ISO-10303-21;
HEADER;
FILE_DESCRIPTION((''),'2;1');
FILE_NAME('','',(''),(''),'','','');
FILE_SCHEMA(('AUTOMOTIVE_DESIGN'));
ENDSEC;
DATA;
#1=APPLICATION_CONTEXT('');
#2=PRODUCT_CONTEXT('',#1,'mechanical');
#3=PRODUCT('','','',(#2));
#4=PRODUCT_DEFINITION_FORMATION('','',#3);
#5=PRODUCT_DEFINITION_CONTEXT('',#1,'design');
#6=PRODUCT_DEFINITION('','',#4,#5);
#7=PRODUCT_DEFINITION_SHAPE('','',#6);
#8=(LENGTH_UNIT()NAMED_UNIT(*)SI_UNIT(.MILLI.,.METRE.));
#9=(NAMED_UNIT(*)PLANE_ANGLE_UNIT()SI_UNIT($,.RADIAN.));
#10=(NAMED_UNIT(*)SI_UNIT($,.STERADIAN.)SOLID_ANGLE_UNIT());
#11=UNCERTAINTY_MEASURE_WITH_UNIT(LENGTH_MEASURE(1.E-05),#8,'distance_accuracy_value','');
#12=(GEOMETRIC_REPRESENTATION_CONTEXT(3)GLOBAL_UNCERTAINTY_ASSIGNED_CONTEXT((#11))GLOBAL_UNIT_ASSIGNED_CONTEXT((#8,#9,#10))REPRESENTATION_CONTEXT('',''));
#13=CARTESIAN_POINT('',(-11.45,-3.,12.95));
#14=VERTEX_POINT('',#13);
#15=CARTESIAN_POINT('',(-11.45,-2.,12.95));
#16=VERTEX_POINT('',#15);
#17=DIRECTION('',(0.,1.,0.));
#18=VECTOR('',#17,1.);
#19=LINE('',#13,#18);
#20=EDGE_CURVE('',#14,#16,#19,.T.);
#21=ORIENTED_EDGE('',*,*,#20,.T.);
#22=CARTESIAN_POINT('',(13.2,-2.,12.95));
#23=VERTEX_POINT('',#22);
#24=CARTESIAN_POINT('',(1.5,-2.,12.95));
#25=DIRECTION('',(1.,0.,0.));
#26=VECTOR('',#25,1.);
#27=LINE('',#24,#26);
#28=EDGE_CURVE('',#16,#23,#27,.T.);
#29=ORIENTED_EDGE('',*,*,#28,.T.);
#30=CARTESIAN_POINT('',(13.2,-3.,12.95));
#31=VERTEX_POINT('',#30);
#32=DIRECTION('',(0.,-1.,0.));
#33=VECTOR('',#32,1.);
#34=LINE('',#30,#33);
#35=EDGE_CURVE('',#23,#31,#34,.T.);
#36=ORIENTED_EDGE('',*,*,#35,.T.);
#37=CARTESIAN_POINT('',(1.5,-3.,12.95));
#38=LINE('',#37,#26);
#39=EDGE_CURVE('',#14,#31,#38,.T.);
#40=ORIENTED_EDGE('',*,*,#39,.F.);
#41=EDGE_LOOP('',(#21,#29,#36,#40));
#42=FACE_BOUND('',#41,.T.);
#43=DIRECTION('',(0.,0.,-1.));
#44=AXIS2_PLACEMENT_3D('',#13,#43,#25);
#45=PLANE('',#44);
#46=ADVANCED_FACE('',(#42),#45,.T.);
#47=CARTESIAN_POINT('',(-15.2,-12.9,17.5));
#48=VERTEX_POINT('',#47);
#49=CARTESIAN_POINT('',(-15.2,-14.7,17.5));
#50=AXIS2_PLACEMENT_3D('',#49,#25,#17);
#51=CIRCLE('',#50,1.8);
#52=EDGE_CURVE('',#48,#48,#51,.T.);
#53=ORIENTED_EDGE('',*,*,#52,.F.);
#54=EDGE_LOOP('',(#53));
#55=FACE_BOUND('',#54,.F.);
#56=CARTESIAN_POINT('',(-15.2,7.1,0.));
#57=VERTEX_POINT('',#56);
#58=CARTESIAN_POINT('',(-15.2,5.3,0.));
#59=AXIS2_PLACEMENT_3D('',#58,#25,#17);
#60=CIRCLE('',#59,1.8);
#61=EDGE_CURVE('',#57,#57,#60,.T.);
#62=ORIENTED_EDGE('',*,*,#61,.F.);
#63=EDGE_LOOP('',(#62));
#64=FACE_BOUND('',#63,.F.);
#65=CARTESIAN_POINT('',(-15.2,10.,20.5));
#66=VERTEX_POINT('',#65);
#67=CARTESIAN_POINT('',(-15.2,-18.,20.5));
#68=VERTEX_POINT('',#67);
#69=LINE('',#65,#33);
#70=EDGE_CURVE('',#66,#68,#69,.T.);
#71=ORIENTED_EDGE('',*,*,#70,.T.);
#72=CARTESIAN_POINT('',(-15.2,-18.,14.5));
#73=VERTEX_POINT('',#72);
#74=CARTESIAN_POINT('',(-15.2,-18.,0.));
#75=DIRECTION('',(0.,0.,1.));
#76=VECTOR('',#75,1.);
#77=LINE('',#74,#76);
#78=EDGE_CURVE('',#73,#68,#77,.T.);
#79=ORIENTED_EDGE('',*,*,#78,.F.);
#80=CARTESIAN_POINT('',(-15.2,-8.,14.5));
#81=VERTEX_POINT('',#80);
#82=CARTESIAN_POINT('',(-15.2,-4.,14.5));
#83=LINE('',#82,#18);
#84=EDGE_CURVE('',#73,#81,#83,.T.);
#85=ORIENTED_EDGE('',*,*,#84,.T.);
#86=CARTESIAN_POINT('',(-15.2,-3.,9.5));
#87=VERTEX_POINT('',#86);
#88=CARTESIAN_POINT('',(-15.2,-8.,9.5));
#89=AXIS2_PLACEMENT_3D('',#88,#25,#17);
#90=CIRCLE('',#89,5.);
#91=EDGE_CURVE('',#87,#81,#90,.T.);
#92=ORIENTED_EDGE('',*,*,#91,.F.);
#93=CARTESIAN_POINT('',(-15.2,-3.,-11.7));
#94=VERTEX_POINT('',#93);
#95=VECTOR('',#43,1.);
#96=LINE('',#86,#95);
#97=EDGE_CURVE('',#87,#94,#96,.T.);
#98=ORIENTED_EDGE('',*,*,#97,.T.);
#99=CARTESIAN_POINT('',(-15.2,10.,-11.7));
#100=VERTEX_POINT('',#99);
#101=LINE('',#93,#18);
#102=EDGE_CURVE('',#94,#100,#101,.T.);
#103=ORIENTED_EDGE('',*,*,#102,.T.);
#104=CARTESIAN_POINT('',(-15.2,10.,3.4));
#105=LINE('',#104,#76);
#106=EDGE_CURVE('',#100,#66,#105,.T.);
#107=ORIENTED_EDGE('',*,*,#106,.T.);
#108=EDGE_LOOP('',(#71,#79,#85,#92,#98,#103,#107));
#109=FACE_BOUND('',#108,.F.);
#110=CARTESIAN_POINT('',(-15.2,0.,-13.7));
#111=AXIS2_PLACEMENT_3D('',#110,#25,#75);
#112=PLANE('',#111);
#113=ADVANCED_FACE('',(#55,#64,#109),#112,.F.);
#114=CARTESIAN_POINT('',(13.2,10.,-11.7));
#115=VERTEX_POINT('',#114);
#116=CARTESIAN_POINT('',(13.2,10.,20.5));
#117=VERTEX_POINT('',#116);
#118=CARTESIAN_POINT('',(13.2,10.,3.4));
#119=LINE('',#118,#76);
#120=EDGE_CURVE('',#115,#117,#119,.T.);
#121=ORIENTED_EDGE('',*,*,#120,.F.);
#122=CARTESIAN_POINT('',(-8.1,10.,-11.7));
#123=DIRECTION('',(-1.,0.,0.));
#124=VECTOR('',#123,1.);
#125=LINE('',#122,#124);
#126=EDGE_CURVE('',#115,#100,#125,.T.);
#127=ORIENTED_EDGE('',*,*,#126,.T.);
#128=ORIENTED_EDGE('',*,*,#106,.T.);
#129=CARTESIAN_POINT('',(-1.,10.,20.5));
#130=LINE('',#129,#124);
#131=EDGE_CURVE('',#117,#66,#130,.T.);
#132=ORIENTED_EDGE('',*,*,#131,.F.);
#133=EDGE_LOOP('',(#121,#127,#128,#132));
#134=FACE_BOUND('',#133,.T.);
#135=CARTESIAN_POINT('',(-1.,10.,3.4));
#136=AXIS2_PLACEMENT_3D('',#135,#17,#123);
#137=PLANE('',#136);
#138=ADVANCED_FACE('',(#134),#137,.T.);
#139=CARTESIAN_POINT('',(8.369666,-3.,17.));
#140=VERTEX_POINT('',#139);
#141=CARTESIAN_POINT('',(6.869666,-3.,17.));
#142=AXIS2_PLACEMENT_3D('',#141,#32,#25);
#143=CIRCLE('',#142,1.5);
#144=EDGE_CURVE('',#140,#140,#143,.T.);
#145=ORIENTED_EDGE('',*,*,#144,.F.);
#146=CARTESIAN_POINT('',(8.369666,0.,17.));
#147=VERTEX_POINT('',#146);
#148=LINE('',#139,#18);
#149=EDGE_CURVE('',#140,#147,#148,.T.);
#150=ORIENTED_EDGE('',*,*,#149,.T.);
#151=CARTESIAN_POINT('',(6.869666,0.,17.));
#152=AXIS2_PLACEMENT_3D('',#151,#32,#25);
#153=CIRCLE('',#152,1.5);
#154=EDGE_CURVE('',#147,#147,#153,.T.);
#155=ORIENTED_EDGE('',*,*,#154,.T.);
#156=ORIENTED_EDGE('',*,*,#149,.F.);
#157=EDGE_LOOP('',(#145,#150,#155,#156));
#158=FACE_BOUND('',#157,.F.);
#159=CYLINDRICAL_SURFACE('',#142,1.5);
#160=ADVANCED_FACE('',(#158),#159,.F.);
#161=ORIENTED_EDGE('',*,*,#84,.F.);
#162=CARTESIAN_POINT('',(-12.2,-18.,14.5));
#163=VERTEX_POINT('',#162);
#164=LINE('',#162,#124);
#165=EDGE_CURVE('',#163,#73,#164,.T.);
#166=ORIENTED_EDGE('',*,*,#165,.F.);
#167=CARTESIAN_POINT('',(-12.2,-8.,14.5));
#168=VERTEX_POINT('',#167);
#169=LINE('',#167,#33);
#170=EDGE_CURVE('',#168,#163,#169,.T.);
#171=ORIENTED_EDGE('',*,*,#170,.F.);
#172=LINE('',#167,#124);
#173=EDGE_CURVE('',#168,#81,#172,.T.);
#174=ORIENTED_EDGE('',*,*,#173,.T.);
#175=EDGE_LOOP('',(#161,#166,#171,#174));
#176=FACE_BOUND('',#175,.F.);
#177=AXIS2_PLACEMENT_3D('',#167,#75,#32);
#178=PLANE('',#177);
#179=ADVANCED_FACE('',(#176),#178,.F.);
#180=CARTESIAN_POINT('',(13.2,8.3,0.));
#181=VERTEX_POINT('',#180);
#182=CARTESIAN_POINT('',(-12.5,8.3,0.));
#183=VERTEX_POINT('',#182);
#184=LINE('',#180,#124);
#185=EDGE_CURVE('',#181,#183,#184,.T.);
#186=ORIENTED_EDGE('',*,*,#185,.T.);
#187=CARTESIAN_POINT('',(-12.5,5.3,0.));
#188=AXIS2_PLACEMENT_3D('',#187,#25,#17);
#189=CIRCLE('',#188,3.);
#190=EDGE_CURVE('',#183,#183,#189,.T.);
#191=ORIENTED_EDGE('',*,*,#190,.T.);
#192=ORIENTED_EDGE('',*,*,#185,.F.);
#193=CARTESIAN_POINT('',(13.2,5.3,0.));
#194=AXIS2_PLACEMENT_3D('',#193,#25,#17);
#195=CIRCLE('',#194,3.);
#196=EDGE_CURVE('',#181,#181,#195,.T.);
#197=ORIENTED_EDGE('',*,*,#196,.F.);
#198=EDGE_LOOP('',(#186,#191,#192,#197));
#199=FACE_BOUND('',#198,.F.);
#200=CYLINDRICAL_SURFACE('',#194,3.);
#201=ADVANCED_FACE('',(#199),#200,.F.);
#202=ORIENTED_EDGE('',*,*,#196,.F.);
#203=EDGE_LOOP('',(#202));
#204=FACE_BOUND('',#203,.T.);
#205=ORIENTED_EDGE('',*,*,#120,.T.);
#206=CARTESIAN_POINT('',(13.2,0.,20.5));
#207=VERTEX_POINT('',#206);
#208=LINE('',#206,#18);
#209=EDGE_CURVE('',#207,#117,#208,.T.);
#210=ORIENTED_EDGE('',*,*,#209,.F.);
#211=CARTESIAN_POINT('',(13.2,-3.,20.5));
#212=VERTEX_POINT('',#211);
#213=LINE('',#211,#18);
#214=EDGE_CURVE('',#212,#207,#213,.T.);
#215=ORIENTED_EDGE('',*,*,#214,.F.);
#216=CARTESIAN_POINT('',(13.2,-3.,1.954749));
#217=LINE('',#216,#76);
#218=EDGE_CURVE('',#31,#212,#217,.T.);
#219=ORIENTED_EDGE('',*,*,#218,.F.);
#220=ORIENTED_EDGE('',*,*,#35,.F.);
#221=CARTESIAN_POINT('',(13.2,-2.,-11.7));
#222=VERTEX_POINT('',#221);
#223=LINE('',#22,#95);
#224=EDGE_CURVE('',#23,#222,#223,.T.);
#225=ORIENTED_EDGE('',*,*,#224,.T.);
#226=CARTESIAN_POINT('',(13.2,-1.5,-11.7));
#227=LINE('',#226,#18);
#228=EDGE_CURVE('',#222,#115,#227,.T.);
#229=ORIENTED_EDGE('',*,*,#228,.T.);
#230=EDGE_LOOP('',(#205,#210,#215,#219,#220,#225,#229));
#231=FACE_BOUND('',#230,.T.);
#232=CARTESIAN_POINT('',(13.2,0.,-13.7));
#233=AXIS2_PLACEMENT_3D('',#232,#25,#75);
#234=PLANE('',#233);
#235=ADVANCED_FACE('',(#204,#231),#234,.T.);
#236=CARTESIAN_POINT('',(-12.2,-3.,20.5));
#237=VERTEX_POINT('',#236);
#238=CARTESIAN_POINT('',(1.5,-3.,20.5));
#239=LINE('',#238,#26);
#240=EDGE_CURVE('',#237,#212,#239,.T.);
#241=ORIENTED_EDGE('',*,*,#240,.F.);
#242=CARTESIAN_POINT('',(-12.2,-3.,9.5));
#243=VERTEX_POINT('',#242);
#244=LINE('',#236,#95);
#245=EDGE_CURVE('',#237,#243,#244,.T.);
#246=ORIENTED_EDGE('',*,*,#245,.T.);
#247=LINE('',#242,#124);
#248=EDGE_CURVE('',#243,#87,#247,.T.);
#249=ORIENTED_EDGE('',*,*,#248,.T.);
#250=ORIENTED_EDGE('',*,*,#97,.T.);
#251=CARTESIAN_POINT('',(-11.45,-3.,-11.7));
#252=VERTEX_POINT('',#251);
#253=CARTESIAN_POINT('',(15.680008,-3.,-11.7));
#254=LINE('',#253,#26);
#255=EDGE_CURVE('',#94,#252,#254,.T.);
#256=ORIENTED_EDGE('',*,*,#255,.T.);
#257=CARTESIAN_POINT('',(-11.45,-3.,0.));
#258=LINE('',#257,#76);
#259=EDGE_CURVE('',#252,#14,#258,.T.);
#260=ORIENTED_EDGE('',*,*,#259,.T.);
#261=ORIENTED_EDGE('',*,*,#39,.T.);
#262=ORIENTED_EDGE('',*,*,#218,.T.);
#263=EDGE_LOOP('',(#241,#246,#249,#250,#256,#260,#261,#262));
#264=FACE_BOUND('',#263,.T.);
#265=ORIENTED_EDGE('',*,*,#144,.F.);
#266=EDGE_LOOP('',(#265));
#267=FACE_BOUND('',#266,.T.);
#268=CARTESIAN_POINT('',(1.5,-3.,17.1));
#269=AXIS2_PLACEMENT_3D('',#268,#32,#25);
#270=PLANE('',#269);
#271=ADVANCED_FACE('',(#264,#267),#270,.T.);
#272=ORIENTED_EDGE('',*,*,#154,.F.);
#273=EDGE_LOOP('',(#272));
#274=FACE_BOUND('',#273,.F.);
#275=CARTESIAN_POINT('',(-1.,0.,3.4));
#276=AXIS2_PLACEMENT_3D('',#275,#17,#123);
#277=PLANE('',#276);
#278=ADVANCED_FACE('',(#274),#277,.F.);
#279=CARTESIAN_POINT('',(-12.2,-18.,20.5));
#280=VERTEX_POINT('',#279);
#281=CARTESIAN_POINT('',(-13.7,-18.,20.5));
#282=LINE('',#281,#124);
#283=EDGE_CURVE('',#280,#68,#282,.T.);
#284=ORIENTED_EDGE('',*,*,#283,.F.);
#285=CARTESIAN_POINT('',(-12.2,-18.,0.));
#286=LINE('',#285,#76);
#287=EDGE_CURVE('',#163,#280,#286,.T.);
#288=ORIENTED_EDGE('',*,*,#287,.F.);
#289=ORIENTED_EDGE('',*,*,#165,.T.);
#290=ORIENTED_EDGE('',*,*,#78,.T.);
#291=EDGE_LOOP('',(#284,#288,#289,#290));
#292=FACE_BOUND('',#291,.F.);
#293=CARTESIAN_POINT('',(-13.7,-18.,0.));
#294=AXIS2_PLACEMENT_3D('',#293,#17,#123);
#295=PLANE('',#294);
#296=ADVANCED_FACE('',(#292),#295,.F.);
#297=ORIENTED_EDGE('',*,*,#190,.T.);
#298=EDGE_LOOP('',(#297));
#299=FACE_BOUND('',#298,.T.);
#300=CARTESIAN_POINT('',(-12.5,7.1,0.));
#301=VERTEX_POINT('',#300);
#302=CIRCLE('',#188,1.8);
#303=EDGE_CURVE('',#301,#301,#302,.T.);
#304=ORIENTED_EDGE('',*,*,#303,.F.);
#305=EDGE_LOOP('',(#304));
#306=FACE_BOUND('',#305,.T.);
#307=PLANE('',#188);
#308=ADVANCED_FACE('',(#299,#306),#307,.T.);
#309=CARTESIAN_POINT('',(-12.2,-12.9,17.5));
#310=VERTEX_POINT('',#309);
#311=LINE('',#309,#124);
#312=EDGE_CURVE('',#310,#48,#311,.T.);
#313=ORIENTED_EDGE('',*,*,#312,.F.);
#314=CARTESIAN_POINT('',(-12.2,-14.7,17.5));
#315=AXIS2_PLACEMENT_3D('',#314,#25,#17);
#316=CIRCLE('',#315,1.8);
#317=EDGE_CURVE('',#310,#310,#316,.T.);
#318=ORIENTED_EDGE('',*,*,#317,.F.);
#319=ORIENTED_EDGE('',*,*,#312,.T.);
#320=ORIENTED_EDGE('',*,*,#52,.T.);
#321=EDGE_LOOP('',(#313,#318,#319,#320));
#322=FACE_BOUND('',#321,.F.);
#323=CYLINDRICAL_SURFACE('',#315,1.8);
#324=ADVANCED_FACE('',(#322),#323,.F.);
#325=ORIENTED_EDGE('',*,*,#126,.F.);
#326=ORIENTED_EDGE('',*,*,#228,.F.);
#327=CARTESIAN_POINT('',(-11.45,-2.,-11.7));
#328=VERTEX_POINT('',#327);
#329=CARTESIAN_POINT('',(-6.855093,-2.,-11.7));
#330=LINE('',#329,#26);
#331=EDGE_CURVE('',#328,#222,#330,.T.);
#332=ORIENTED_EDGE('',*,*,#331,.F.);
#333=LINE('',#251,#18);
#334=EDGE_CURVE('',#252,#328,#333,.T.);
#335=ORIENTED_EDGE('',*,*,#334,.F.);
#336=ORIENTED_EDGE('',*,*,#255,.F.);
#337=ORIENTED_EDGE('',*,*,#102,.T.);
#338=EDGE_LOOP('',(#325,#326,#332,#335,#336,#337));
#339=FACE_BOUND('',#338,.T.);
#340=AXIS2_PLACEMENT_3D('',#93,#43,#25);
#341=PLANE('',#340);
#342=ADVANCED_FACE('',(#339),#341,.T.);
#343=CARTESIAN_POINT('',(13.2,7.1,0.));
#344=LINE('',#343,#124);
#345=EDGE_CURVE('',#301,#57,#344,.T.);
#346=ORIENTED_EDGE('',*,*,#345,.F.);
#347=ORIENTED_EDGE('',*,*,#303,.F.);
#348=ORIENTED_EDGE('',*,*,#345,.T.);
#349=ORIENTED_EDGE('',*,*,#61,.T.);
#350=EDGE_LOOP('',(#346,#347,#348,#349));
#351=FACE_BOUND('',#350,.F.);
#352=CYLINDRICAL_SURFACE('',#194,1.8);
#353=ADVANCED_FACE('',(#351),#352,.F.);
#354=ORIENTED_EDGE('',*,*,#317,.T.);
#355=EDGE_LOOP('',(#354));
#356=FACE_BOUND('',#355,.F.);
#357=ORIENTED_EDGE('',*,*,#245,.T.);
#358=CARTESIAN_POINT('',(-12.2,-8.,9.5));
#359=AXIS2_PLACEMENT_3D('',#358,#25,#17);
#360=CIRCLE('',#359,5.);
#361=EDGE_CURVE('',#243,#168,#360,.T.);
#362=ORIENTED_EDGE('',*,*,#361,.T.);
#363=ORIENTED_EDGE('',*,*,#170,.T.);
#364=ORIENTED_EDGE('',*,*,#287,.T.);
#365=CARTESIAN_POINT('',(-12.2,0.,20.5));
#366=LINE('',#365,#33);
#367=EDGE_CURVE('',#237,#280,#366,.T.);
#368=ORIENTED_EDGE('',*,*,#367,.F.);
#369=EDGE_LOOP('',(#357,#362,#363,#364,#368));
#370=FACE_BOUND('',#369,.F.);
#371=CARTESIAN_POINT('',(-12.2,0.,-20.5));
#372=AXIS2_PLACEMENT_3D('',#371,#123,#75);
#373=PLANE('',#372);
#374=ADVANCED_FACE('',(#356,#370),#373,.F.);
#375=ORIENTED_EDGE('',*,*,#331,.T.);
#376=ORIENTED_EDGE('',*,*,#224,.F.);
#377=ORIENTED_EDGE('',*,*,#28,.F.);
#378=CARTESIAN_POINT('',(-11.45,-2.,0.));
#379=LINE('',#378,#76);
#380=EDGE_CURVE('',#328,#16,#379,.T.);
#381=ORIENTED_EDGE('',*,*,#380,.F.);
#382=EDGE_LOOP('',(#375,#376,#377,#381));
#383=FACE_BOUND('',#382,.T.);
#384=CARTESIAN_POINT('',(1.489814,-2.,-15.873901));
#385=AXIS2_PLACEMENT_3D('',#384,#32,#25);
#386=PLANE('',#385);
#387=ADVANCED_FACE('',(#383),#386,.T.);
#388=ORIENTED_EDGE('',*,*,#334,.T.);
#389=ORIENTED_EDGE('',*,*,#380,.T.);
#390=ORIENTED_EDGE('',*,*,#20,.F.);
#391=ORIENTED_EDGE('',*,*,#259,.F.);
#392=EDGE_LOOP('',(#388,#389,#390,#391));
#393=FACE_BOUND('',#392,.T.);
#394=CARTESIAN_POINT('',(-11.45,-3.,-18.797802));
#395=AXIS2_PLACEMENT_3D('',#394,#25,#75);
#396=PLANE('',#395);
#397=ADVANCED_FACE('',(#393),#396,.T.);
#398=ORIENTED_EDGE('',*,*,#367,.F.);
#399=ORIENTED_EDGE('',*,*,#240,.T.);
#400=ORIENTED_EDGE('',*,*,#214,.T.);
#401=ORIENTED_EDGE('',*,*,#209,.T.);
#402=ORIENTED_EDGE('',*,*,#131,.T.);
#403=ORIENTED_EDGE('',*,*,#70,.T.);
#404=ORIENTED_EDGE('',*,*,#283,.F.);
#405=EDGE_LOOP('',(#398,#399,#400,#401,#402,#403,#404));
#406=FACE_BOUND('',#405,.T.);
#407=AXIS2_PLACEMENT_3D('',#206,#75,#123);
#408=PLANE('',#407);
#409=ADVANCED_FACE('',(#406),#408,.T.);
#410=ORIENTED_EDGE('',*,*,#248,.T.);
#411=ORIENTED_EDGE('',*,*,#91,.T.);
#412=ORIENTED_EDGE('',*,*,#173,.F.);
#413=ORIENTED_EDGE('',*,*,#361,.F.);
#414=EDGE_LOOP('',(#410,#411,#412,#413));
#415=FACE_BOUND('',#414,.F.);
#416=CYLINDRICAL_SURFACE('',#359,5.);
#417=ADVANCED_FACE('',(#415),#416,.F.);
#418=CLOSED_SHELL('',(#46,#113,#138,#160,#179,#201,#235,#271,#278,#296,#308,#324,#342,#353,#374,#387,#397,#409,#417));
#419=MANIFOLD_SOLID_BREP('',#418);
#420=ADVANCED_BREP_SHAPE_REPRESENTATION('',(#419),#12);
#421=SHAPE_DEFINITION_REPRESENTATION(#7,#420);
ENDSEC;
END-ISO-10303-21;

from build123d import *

# Parameters (mm, degrees)
F0_W      = 30.4
F0_H      = 27.4
F1_DEPTH  = 3
F2_W      = 25.9
F2_H      = 25.9
F3_DEPTH  = 1
F4_W      = 3
F4_H      = 41
F5_DEPTH  = 18
F7_DEPTH  = 25
F8_R      = 1.8
F9_DEPTH  = 25
F10_W     = 27.4
F10_H     = 6.8
F11_DEPTH = 3
F12_R     = 1.5
F13_DEPTH = 3.001
F14_W     = 8.9006384343
F14_H     = 16.5555408895
F15_DEPTH = 25
F16_W     = 9.1082898408
F16_H     = 12.178418237
F17_DEPTH = 25
F18_W     = 2
F18_H     = 37.0905021131
F19_DEPTH = 25
F20_W     = 28.4
F20_H     = 34.2
F21_DEPTH = 10
F22_R     = 1.8
F23_DEPTH = 38.7
F24_R     = 3
F25_DEPTH = 25.7
F26_W     = 25.8796279177
F26_H     = 5.8478018075
F27_DEPTH = 1
F28_W     = 61.7600152118
F28_H     = 2
F29_DEPTH = 25


with BuildPart() as f1:
    # F0 (on Front) → F1 (new body)
    with BuildSketch(Plane.XZ):
        Rectangle(F0_W, F0_H)
    extrude(amount=F1_DEPTH)

    # F2 (on face) → F3 (cut)
    with BuildSketch(Plane.XZ.offset(3)):
        with Locations((1.5, 0)):
            Rectangle(F2_W, F2_H)
    extrude(amount=-F3_DEPTH, mode=Mode.SUBTRACT)

    # F4 (on face) → F5 (join)
    with BuildSketch(Plane(origin=(0, 0, 0), x_dir=(-1, 0, 0), z_dir=(0, 1, 0))):
        with Locations((13.7, 0)):
            Rectangle(F4_W, F4_H)
    extrude(amount=-F5_DEPTH)

    # F6 (on face) → F7 (cut)
    with BuildSketch(Plane.YZ.offset(-12.2)):
        with BuildLine():
            Line((-18, 14.5), (-18, -14.5))
            Line((-18, -14.5), (-8, -14.5))
            ThreePointArc((-8, -14.5), (-4.4644660941, -13.0355339059), (-3, -9.5))
            Line((-3, -9.5), (-3, 9.5))
            ThreePointArc((-3, 9.5), (-4.4644660941, 13.0355339059), (-8, 14.5))
            Line((-8, 14.5), (-18, 14.5))
        make_face()
    extrude(amount=-F7_DEPTH, mode=Mode.SUBTRACT)

    # F8 (on face) → F9 (cut)
    with BuildSketch(Plane.YZ.offset(-12.2)):
        with Locations((-14.7, -17.5)):
            Circle(F8_R)
        with Locations((-14.7, 17.5)):
            Circle(F8_R)
    extrude(amount=-F9_DEPTH, mode=Mode.SUBTRACT)

    # F10 (on Front) → F11 (join)
    with BuildSketch(Plane.XZ):
        with Locations((1.5, 17.1)):
            Rectangle(F10_W, F10_H)
    extrude(amount=F11_DEPTH)

    # F12 (on face) → F13 (cut, through all)
    with BuildSketch(Plane.XZ.offset(3)):
        with Locations((6.8696663434, 17)):
            Circle(F12_R)
    extrude(amount=-F13_DEPTH, mode=Mode.SUBTRACT)

    # F14 (on face) → F15 (cut)
    with BuildSketch(Plane.XZ.offset(3)):
        with Locations((-16.6503192171, -17.7777704448)):
            Rectangle(F14_W, F14_H)
    extrude(amount=F15_DEPTH, mode=Mode.SUBTRACT)

    # F16 (on face) → F17 (cut)
    with BuildSketch(Plane.XZ.offset(3)):
        with Locations((-16.7541449204, -19.7892091185)):
            Rectangle(F16_W, F16_H)
    extrude(amount=-F17_DEPTH, mode=Mode.SUBTRACT)

    # F18 (on face) → F19 (cut)
    with BuildSketch(Plane.XZ.offset(3)):
        with Locations((14.2, 1.9547489434)):
            Rectangle(F18_W, F18_H)
    extrude(amount=-F19_DEPTH, mode=Mode.SUBTRACT)

    # F20 (on face) → F21 (join)
    with BuildSketch(Plane(origin=(0, 0, 0), x_dir=(-1, 0, 0), z_dir=(0, 1, 0))):
        with Locations((1, 3.4)):
            Rectangle(F20_W, F20_H)
    extrude(amount=F21_DEPTH)

    # F22 (on face) → F23 (cut)
    with BuildSketch(Plane.YZ.offset(13.2)):
        with Locations((5.3, 0)):
            Circle(F22_R)
    extrude(amount=-F23_DEPTH, mode=Mode.SUBTRACT)

    # F24 (on face) → F25 (cut)
    with BuildSketch(Plane.YZ.offset(13.2)):
        with Locations((5.3, 0)):
            Circle(F24_R)
    extrude(amount=-F25_DEPTH, mode=Mode.SUBTRACT)

    # F26 (on face) → F27 (cut)
    with BuildSketch(Plane.XZ.offset(3)):
        with Locations((1.4898139589, -15.8739009038)):
            Rectangle(F26_W, F26_H)
    extrude(amount=-F27_DEPTH, mode=Mode.SUBTRACT)

    # F28 (on face) → F29 (cut)
    with BuildSketch(Plane.XZ.offset(3)):
        with Locations((15.6800076059, -12.7)):
            Rectangle(F28_W, F28_H)
    extrude(amount=-F29_DEPTH, mode=Mode.SUBTRACT)


solid = f1.part
